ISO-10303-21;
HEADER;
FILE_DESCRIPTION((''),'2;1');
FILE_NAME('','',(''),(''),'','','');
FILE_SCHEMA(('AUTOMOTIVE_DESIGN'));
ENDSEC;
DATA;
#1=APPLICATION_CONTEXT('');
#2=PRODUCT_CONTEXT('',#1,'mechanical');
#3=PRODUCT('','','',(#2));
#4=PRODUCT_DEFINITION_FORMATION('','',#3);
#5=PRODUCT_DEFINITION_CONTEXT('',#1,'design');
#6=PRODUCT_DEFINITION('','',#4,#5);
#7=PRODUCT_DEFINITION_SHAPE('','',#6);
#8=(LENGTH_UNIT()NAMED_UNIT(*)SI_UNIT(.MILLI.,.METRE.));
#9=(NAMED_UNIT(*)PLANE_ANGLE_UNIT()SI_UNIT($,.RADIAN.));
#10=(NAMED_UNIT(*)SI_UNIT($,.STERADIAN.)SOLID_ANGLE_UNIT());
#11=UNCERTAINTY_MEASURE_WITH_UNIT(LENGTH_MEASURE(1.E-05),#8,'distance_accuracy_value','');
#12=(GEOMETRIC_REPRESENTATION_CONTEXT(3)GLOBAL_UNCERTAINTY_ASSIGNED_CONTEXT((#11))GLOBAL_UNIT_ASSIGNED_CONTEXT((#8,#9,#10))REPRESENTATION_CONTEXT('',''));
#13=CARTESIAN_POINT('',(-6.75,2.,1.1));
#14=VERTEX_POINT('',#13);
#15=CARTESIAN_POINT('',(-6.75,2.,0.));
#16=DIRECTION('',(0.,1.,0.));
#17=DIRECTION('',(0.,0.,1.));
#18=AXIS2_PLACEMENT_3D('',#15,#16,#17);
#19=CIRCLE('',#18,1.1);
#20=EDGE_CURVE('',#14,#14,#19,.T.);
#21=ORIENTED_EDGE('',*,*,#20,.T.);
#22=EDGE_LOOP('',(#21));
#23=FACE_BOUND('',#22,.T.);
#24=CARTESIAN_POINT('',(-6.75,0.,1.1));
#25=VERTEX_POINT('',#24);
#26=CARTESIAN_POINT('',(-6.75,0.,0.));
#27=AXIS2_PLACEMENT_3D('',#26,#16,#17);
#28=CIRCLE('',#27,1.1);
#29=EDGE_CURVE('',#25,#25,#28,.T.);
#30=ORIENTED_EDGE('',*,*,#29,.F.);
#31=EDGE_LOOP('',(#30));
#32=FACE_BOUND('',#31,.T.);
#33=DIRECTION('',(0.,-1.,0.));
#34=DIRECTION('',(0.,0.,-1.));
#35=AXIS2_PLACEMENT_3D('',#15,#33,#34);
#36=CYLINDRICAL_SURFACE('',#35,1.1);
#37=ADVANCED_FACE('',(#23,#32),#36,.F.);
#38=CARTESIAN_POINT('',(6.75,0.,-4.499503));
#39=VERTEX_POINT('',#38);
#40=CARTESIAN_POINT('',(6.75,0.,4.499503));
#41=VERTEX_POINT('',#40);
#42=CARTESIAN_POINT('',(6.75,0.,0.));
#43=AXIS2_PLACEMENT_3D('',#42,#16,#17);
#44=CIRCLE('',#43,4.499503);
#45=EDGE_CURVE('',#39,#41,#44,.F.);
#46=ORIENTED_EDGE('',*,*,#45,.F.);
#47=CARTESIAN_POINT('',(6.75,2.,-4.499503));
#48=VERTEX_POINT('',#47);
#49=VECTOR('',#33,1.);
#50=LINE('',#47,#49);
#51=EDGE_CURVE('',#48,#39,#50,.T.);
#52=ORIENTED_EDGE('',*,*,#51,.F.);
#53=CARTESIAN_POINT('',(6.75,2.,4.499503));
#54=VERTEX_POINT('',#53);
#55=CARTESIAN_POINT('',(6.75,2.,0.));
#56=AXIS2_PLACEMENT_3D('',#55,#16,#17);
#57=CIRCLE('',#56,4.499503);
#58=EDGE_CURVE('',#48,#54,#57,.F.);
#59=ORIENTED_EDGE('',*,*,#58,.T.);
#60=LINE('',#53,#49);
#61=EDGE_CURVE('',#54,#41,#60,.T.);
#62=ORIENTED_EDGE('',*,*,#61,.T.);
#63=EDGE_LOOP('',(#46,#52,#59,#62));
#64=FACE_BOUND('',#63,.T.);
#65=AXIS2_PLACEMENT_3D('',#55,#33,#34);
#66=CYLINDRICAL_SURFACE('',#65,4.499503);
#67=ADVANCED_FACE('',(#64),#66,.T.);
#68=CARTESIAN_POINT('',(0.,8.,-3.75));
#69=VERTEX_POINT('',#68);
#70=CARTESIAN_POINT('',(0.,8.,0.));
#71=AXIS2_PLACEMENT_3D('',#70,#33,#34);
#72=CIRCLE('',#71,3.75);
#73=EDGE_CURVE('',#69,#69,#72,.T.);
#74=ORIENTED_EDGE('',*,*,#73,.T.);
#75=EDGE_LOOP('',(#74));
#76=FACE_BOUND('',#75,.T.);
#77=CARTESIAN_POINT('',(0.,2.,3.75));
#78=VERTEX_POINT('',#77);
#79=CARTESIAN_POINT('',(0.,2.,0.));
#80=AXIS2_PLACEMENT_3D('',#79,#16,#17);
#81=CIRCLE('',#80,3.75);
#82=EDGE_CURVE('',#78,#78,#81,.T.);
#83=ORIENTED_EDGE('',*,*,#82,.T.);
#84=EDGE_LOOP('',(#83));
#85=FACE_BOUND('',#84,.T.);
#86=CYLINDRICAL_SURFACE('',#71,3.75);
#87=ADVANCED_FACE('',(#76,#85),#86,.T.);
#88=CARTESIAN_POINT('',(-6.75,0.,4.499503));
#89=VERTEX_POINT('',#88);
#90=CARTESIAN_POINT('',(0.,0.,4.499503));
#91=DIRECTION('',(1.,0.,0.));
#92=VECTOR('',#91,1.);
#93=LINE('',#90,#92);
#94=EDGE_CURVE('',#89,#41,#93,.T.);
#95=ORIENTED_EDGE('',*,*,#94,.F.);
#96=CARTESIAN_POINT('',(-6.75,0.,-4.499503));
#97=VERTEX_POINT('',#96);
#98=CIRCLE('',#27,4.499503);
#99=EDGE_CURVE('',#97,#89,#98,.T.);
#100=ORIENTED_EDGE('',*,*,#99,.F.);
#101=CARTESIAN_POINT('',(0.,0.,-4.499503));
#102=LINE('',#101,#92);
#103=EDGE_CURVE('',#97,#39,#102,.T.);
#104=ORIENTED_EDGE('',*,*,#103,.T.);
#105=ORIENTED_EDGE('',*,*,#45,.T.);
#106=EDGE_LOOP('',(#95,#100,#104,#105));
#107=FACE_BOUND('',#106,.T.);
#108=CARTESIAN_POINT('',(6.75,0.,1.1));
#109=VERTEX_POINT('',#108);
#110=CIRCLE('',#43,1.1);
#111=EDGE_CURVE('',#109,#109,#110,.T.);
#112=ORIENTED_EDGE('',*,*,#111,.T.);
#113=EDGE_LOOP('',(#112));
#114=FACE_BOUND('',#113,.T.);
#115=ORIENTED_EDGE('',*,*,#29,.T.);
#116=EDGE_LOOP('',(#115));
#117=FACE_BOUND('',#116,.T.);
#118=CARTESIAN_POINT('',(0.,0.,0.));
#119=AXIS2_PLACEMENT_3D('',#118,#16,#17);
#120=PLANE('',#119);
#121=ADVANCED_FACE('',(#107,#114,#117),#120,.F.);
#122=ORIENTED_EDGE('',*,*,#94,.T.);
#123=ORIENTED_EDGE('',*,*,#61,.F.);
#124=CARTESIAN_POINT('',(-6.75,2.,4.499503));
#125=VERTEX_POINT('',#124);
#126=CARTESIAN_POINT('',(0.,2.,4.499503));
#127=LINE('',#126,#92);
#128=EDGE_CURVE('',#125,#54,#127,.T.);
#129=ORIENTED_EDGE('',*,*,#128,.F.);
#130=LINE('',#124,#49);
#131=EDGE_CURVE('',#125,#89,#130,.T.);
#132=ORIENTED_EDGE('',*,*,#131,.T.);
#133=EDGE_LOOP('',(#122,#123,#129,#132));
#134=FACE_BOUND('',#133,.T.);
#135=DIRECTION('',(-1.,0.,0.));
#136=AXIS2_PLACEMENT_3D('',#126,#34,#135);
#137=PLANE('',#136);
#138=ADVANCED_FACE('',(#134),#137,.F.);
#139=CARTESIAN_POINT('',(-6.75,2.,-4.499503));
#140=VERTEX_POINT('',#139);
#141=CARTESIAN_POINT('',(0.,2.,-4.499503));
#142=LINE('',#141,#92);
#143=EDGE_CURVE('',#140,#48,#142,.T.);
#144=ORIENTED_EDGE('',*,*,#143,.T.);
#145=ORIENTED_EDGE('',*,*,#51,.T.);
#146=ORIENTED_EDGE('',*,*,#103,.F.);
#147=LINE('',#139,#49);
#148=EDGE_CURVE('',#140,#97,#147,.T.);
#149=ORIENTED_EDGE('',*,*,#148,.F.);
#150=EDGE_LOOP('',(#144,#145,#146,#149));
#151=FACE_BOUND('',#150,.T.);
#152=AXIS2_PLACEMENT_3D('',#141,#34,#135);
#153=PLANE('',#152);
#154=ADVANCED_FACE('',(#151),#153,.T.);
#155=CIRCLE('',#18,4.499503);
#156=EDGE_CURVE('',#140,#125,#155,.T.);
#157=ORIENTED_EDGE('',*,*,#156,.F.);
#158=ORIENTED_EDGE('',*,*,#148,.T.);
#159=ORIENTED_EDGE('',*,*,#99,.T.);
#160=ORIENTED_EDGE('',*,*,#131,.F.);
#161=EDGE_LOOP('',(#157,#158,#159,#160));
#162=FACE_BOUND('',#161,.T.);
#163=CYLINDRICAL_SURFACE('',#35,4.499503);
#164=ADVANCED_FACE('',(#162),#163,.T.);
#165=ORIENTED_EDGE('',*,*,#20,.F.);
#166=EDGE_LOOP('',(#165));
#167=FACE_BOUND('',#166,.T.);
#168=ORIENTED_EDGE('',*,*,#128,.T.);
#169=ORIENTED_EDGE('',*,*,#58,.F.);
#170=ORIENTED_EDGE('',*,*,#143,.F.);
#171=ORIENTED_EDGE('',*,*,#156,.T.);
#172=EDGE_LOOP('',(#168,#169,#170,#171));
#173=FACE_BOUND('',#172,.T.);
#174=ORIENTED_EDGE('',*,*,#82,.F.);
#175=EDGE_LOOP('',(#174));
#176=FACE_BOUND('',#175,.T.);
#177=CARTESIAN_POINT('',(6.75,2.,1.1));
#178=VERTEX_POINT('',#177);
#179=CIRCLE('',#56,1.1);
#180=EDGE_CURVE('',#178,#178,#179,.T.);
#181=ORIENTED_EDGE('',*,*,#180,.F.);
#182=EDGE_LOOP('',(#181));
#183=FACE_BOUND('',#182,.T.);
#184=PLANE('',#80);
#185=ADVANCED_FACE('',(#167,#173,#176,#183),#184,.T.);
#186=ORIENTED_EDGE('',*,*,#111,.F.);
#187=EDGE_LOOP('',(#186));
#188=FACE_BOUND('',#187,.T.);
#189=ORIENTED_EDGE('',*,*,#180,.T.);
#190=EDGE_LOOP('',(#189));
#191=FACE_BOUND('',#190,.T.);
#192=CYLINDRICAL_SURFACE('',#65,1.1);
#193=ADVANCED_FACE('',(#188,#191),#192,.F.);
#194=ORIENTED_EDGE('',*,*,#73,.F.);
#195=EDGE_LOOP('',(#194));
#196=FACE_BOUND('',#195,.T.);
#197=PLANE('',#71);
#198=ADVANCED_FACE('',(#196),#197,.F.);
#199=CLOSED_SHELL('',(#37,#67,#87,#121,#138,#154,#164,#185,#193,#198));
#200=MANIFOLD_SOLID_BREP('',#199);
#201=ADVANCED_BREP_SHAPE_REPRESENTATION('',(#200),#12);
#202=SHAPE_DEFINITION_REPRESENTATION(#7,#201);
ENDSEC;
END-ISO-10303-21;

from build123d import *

# Parameters (mm, degrees)
SKETCH1_R           = 1.1
SKETCH1_R_2         = 3.75
BOSS_EXTRUDE3_DEPTH = 2
SKETCH3_R           = 3.75
BOSS_EXTRUDE4_DEPTH = 8


with BuildPart() as part:
    # Sketch1 → Boss-Extrude3 (new body)
    with BuildSketch(Plane(origin=(0, 0, 0), x_dir=(1, 0, 0), z_dir=(0, 1, 0))):
        with BuildLine():
            Line((-6.75, 4.499502967), (6.75, 4.499502967))
            ThreePointArc((6.75, 4.499502967), (11.249502967, 0), (6.75, -4.499502967))
            Line((6.75, -4.499502967), (-6.75, -4.499502967))
            ThreePointArc((-6.75, -4.499502967), (-11.249502967, 0), (-6.75, 4.499502967))
        make_face()
        with Locations((-6.75, 0)):
            Circle(SKETCH1_R, mode=Mode.SUBTRACT)
        with Locations((6.75, 0)):
            Circle(SKETCH1_R, mode=Mode.SUBTRACT)
        Circle(SKETCH1_R_2, mode=Mode.SUBTRACT)
    extrude(amount=BOSS_EXTRUDE3_DEPTH)

    # Sketch3 → Boss-Extrude4 (add)
    with BuildSketch(Plane.XZ):
        Circle(SKETCH3_R)
    extrude(amount=-BOSS_EXTRUDE4_DEPTH)


solid = part.part
